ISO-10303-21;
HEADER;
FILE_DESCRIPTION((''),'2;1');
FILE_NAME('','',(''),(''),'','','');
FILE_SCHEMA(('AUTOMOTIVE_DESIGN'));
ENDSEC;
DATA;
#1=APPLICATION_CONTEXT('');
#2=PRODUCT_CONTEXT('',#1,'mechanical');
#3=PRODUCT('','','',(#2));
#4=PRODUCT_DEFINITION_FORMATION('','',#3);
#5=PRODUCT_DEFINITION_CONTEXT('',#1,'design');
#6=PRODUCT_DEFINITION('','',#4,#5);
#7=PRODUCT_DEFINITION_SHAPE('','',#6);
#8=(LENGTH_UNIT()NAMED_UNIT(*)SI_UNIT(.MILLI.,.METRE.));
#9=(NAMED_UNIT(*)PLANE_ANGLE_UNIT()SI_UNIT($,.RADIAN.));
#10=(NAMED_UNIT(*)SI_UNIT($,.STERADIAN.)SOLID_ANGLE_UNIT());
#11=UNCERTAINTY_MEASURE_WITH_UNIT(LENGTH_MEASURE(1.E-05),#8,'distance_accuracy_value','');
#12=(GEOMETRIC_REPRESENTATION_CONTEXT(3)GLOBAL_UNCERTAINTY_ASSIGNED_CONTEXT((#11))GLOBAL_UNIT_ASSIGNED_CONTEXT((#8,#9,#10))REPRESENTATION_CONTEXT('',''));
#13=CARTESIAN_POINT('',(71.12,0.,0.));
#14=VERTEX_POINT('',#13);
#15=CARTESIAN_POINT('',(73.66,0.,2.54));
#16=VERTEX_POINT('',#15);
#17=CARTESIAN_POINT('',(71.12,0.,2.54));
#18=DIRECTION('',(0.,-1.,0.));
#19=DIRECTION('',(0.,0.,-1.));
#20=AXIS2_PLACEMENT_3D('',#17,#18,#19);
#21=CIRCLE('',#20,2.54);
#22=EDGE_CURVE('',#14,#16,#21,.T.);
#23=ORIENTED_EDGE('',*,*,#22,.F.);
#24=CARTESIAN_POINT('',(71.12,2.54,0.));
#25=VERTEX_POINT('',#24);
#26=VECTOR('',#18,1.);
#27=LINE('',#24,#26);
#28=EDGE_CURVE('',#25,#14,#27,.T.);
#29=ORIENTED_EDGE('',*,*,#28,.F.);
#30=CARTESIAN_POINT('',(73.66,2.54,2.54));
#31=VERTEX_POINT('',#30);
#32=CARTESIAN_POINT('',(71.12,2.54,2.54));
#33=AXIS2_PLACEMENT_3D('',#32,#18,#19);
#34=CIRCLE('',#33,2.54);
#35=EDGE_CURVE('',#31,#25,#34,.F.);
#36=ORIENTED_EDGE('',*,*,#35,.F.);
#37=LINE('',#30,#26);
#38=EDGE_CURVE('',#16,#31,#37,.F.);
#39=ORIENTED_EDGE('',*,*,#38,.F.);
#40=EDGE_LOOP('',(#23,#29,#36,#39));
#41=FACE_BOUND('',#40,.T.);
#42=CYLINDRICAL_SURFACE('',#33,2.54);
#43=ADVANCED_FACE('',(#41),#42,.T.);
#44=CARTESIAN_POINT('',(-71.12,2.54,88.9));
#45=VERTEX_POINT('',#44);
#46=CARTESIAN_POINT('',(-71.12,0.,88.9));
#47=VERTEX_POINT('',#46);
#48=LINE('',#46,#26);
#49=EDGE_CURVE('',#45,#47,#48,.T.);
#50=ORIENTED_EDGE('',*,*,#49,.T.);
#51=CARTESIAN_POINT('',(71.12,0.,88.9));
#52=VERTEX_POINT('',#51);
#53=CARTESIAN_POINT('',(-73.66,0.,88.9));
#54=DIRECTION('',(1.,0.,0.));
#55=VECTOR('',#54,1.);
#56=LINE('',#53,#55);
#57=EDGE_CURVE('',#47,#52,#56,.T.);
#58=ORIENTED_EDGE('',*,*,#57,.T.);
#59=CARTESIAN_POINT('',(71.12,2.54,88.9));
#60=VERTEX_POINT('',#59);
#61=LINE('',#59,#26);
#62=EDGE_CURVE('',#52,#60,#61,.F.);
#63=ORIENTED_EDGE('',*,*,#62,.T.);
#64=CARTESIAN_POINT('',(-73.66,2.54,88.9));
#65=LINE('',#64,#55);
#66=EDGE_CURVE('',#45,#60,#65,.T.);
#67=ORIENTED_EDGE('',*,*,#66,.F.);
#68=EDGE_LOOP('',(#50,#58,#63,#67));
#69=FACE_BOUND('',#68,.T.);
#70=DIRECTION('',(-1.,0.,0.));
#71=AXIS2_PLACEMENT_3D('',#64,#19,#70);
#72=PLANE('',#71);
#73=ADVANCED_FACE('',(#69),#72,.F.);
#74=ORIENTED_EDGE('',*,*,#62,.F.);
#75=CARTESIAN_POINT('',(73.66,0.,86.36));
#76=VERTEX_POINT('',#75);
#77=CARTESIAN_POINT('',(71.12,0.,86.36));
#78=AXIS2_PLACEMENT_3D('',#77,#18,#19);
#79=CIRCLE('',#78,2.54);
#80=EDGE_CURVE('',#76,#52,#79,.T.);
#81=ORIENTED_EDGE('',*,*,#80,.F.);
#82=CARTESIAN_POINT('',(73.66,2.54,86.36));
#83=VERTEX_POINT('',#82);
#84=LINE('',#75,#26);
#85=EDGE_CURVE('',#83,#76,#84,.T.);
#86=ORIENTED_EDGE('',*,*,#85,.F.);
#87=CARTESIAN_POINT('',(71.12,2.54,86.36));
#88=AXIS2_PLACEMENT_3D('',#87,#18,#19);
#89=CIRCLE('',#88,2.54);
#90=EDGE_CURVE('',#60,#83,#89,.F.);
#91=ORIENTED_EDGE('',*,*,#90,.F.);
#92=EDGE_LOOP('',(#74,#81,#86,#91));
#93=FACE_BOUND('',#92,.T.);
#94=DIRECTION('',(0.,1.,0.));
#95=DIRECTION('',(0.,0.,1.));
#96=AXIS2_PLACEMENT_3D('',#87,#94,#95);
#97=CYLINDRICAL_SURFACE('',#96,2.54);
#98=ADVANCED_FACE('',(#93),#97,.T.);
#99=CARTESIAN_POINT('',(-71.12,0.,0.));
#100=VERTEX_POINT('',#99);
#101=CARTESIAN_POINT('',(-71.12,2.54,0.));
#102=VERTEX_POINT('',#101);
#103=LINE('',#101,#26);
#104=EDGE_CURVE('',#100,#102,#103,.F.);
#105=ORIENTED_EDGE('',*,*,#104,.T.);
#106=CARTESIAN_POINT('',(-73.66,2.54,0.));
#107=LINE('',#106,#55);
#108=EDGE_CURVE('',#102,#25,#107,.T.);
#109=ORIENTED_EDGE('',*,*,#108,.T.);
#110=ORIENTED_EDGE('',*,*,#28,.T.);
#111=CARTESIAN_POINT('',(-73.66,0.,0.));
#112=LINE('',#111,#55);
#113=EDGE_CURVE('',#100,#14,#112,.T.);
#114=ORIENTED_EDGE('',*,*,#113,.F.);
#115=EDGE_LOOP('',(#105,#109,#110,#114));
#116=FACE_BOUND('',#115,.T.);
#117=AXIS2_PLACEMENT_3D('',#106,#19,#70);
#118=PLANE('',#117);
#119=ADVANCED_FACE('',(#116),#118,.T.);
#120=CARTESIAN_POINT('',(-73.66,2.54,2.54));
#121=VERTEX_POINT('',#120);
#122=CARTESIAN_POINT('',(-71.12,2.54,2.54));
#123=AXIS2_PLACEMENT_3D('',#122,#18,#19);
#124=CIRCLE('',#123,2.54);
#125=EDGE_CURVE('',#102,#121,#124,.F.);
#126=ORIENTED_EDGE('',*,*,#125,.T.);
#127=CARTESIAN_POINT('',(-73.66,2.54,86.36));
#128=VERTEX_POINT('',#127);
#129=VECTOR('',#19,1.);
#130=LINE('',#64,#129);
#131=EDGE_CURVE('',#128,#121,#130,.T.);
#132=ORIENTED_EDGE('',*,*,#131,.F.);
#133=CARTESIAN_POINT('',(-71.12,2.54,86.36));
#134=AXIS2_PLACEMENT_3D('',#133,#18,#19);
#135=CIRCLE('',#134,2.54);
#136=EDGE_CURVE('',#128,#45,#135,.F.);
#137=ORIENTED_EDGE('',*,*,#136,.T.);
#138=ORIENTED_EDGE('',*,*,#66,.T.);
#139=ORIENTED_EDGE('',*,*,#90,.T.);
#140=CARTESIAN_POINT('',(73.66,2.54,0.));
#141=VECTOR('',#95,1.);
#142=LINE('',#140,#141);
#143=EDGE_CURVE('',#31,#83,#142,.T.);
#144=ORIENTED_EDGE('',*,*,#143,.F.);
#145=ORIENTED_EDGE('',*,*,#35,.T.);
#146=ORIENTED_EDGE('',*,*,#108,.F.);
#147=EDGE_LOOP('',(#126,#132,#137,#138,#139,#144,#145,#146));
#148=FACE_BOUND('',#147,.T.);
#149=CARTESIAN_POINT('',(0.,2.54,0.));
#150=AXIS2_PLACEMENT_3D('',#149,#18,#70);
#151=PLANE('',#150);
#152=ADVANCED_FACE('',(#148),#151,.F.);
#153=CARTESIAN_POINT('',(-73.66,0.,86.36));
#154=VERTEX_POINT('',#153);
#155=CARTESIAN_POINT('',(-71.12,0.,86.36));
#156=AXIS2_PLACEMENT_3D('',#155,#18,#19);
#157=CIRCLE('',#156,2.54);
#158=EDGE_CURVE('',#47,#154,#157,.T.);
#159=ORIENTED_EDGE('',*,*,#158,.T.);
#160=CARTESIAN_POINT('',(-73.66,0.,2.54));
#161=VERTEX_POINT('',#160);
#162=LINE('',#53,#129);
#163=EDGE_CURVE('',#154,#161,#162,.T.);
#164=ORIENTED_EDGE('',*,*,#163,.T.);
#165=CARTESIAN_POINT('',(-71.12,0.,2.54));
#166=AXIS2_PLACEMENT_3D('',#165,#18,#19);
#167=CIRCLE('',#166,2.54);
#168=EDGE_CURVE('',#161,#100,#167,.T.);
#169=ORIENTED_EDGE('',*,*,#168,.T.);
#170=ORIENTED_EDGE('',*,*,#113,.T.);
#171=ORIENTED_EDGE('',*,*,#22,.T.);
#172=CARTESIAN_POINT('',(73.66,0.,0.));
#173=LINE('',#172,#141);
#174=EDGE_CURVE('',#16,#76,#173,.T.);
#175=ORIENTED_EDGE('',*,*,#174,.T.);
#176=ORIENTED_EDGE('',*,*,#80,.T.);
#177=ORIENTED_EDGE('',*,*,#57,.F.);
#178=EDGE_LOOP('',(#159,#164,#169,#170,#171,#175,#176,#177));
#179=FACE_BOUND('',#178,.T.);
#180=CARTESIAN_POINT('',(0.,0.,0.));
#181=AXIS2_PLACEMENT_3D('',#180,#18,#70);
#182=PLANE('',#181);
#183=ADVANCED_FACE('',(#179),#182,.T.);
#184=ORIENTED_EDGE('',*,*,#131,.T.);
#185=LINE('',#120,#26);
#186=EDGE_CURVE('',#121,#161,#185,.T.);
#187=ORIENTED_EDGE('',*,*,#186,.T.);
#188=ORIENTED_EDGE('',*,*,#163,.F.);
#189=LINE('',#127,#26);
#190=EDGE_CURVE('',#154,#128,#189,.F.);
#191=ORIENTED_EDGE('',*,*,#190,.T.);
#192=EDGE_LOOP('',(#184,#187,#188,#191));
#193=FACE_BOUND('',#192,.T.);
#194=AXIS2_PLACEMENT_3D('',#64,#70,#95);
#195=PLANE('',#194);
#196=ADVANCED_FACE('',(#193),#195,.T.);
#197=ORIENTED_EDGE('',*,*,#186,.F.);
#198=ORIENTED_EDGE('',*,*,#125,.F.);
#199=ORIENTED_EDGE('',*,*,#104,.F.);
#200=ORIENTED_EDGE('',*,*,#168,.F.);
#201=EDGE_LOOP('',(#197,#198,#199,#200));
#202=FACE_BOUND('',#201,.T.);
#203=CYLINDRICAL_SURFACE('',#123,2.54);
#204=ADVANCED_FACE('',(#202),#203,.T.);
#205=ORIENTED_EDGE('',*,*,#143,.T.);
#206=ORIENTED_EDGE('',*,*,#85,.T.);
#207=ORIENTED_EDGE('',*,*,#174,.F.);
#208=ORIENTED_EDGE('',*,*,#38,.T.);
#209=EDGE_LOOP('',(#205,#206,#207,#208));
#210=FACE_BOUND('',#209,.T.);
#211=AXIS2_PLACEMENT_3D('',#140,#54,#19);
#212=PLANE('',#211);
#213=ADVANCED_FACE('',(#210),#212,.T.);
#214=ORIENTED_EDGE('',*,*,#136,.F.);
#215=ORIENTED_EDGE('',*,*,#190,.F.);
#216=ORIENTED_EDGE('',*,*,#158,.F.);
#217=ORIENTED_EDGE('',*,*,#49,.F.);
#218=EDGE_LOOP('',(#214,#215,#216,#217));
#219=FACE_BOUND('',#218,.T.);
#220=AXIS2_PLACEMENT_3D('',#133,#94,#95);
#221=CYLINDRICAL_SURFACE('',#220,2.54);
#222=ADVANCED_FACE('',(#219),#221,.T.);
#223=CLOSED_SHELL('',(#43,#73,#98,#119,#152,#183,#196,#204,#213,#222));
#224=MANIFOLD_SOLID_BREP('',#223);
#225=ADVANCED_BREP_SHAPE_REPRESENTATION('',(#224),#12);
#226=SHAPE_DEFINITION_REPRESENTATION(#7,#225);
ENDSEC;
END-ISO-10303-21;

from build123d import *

# Parameters (mm, degrees)
SKETCH1_W           = 147.32
SKETCH1_H           = 88.9
EXTRUDE_THIN1_DEPTH = 2.54
FILLET1_R           = 2.54


with BuildPart() as part:
    # Sketch1 → Extrude-Thin1 (new body)
    with BuildSketch(Plane(origin=(0, 0, 0), x_dir=(1, 0, 0), z_dir=(0, 1, 0))):
        with Locations((0, -44.45)):
            Rectangle(SKETCH1_W, SKETCH1_H)
    extrude(amount=EXTRUDE_THIN1_DEPTH)

    # Fillet1
    fillet1_edges = [part.edges().sort_by_distance(p)[0] for p in [
        (-73.66, 1.27, 88.9),
        (-73.66, 1.27, 0),
        (73.66, 1.27, 0),
        (73.66, 1.27, 88.9),
    ]]
    fillet(fillet1_edges, radius=FILLET1_R)


solid = part.part
